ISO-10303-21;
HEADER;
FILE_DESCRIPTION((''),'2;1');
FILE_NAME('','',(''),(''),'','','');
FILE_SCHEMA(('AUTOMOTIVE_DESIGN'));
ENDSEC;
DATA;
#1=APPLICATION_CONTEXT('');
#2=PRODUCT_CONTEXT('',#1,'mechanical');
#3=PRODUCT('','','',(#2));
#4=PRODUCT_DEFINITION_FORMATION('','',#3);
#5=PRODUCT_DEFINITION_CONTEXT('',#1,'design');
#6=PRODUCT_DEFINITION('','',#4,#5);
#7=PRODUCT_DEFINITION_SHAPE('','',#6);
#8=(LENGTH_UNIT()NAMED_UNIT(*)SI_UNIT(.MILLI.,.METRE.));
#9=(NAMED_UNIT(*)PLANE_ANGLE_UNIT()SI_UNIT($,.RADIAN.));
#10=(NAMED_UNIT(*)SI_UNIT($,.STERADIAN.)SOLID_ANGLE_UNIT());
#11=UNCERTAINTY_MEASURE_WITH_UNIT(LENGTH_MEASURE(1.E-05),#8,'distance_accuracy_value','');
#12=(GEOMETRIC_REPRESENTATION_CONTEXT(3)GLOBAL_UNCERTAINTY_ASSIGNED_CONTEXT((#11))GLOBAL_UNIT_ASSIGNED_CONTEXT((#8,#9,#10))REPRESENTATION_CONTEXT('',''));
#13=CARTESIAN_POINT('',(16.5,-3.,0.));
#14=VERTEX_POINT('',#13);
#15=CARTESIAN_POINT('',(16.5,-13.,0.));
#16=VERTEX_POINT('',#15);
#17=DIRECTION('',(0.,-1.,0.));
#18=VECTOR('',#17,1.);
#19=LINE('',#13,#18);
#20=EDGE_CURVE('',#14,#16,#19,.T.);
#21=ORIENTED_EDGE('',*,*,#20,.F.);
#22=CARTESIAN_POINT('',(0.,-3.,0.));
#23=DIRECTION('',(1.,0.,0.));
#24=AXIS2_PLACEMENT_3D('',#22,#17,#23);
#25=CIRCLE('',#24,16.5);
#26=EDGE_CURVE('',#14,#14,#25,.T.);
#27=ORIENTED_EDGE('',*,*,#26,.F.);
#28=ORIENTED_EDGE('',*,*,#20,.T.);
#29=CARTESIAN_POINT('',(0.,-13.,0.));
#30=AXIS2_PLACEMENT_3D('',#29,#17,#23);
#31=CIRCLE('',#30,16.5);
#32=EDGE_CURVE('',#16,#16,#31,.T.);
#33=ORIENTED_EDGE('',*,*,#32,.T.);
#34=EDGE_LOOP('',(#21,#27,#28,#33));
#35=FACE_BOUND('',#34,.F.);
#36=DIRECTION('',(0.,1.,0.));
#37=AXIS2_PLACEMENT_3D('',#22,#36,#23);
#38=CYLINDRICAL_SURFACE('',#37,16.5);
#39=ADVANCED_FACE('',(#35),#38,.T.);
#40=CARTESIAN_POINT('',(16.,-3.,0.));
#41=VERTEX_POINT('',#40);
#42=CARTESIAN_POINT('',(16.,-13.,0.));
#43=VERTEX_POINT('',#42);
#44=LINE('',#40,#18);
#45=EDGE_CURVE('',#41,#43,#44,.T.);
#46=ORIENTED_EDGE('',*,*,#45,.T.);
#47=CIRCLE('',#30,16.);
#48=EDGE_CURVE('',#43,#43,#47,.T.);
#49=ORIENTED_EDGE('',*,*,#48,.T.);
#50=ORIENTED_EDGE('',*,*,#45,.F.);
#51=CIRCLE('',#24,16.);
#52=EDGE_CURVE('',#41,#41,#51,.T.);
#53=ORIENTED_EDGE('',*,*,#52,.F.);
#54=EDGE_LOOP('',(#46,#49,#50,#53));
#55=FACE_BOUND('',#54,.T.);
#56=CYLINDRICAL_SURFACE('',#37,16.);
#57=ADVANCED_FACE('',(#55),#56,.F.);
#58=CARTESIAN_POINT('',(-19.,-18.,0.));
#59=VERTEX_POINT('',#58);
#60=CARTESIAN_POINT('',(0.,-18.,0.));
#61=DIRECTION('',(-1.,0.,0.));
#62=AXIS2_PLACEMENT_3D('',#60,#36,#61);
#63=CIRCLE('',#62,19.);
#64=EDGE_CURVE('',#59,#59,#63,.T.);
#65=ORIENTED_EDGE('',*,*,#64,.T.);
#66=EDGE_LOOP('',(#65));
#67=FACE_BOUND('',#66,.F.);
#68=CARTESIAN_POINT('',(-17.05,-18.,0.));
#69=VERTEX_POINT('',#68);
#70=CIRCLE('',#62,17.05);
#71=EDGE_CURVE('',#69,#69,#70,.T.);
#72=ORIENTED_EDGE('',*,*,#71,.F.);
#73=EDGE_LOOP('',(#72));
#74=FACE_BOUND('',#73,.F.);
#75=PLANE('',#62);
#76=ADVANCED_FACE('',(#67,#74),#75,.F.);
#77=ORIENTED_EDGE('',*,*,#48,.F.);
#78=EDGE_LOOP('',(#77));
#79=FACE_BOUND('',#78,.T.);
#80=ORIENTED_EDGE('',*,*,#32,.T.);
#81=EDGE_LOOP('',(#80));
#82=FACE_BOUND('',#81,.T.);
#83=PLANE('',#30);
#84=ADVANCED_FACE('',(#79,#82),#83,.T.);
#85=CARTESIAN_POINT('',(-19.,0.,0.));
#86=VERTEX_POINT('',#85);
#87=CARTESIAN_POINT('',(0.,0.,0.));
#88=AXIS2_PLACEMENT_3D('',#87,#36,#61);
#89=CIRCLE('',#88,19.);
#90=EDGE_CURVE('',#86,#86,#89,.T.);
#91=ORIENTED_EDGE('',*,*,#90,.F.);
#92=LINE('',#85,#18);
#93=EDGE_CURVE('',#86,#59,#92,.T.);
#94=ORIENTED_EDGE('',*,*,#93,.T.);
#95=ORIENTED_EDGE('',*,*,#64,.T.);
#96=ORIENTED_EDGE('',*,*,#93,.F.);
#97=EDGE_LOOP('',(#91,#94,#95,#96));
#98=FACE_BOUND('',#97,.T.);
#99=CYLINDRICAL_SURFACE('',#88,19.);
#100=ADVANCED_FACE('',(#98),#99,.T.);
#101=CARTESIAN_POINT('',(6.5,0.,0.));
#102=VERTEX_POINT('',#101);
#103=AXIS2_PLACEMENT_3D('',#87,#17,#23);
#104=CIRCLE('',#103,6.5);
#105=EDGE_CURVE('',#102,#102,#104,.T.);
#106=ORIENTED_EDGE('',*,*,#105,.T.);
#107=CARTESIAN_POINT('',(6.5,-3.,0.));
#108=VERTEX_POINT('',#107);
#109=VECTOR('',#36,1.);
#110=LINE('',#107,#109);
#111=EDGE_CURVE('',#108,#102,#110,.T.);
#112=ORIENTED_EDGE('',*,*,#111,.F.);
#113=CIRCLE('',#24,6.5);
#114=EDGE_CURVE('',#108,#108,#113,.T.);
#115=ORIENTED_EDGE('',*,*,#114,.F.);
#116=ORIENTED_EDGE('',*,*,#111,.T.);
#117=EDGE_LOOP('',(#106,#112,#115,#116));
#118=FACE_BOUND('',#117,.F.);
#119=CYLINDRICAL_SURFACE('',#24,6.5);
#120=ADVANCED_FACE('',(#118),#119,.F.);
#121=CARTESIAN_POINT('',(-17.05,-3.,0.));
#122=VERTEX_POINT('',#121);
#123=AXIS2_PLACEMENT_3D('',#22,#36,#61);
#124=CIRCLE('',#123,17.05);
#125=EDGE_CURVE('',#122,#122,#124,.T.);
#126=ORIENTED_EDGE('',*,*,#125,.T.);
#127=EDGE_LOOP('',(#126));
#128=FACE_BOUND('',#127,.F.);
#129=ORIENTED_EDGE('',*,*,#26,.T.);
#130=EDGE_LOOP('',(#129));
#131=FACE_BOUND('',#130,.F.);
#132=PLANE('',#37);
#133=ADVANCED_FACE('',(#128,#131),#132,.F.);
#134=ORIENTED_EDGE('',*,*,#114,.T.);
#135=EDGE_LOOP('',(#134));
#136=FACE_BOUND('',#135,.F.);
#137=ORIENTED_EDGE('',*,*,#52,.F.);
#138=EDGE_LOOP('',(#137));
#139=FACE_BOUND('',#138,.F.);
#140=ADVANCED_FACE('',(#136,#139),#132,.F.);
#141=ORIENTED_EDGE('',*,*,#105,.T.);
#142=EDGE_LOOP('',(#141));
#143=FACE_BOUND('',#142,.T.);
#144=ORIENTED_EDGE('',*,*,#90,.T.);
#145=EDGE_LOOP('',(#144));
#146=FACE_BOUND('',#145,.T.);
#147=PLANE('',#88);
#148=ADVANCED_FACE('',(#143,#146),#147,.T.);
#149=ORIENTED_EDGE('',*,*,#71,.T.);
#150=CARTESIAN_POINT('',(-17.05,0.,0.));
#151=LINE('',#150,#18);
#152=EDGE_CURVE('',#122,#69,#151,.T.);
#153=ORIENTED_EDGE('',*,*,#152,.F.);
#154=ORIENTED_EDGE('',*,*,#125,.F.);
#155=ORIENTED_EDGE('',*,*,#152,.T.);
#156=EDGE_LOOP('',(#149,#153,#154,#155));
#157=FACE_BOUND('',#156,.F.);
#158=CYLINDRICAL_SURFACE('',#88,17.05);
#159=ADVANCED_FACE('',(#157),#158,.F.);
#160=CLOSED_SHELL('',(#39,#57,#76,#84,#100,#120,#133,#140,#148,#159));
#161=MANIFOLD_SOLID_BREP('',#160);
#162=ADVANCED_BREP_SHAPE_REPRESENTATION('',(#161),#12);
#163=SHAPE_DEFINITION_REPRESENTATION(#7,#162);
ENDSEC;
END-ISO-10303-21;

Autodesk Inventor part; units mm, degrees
ref_plane "YZ Plane" through (0, 0, 0) normal (1, 0, 0) x (0, 1, 0)
ref_plane "XZ Plane" through (0, 0, 0) normal (0, 1, 0) x (-1, 0, 0)
ref_plane "XY Plane" through (0, 0, 0) normal (0, 0, 1) x (1, 0, 0)
sketch "Boceto4" plane through (0, 0, 0) normal (0, 1, 0) x (-1, 0, 0)
  circle A0 centre (0, 0) radius 17.05
  circle A1 centre (0, 0) radius 19
  dimension "d10" = 34.1
  dimension "d11" = 38
extrude "Extrusión4" add sketch "Boceto4" against normal blind 18
sketch "Boceto5" plane through (0, 0, 0) normal (0, 1, 0) x (1, 0, 0)
  circle A0 centre (0, 0) radius 17.05
extrude "Extrusión5" add sketch "Boceto5" against normal blind 3
sketch "Boceto6" plane through (0, -3, 0) normal (0, -1, 0) x (1, 0, 0)
  circle A0 centre (0, 0) radius 6.5
  dimension "d16" = 13
extrude "Extrusión6" cut sketch "Boceto6" against normal blind 3
sketch "Boceto7" plane through (0, -3, 0) normal (0, -1, 0) x (1, 0, 0)
  circle A0 centre (0, 0) radius 16
  circle A1 centre (0, 0) radius 6.5 projected
  circle A2 centre (0, 0) radius 16.5
  dimension "d19" = 32
  dimension "d20" = 33
extrude "Extrusión7" add sketch "Boceto7" along normal blind 10 contours A2
properties part number "tapa seccion alimentacion"
